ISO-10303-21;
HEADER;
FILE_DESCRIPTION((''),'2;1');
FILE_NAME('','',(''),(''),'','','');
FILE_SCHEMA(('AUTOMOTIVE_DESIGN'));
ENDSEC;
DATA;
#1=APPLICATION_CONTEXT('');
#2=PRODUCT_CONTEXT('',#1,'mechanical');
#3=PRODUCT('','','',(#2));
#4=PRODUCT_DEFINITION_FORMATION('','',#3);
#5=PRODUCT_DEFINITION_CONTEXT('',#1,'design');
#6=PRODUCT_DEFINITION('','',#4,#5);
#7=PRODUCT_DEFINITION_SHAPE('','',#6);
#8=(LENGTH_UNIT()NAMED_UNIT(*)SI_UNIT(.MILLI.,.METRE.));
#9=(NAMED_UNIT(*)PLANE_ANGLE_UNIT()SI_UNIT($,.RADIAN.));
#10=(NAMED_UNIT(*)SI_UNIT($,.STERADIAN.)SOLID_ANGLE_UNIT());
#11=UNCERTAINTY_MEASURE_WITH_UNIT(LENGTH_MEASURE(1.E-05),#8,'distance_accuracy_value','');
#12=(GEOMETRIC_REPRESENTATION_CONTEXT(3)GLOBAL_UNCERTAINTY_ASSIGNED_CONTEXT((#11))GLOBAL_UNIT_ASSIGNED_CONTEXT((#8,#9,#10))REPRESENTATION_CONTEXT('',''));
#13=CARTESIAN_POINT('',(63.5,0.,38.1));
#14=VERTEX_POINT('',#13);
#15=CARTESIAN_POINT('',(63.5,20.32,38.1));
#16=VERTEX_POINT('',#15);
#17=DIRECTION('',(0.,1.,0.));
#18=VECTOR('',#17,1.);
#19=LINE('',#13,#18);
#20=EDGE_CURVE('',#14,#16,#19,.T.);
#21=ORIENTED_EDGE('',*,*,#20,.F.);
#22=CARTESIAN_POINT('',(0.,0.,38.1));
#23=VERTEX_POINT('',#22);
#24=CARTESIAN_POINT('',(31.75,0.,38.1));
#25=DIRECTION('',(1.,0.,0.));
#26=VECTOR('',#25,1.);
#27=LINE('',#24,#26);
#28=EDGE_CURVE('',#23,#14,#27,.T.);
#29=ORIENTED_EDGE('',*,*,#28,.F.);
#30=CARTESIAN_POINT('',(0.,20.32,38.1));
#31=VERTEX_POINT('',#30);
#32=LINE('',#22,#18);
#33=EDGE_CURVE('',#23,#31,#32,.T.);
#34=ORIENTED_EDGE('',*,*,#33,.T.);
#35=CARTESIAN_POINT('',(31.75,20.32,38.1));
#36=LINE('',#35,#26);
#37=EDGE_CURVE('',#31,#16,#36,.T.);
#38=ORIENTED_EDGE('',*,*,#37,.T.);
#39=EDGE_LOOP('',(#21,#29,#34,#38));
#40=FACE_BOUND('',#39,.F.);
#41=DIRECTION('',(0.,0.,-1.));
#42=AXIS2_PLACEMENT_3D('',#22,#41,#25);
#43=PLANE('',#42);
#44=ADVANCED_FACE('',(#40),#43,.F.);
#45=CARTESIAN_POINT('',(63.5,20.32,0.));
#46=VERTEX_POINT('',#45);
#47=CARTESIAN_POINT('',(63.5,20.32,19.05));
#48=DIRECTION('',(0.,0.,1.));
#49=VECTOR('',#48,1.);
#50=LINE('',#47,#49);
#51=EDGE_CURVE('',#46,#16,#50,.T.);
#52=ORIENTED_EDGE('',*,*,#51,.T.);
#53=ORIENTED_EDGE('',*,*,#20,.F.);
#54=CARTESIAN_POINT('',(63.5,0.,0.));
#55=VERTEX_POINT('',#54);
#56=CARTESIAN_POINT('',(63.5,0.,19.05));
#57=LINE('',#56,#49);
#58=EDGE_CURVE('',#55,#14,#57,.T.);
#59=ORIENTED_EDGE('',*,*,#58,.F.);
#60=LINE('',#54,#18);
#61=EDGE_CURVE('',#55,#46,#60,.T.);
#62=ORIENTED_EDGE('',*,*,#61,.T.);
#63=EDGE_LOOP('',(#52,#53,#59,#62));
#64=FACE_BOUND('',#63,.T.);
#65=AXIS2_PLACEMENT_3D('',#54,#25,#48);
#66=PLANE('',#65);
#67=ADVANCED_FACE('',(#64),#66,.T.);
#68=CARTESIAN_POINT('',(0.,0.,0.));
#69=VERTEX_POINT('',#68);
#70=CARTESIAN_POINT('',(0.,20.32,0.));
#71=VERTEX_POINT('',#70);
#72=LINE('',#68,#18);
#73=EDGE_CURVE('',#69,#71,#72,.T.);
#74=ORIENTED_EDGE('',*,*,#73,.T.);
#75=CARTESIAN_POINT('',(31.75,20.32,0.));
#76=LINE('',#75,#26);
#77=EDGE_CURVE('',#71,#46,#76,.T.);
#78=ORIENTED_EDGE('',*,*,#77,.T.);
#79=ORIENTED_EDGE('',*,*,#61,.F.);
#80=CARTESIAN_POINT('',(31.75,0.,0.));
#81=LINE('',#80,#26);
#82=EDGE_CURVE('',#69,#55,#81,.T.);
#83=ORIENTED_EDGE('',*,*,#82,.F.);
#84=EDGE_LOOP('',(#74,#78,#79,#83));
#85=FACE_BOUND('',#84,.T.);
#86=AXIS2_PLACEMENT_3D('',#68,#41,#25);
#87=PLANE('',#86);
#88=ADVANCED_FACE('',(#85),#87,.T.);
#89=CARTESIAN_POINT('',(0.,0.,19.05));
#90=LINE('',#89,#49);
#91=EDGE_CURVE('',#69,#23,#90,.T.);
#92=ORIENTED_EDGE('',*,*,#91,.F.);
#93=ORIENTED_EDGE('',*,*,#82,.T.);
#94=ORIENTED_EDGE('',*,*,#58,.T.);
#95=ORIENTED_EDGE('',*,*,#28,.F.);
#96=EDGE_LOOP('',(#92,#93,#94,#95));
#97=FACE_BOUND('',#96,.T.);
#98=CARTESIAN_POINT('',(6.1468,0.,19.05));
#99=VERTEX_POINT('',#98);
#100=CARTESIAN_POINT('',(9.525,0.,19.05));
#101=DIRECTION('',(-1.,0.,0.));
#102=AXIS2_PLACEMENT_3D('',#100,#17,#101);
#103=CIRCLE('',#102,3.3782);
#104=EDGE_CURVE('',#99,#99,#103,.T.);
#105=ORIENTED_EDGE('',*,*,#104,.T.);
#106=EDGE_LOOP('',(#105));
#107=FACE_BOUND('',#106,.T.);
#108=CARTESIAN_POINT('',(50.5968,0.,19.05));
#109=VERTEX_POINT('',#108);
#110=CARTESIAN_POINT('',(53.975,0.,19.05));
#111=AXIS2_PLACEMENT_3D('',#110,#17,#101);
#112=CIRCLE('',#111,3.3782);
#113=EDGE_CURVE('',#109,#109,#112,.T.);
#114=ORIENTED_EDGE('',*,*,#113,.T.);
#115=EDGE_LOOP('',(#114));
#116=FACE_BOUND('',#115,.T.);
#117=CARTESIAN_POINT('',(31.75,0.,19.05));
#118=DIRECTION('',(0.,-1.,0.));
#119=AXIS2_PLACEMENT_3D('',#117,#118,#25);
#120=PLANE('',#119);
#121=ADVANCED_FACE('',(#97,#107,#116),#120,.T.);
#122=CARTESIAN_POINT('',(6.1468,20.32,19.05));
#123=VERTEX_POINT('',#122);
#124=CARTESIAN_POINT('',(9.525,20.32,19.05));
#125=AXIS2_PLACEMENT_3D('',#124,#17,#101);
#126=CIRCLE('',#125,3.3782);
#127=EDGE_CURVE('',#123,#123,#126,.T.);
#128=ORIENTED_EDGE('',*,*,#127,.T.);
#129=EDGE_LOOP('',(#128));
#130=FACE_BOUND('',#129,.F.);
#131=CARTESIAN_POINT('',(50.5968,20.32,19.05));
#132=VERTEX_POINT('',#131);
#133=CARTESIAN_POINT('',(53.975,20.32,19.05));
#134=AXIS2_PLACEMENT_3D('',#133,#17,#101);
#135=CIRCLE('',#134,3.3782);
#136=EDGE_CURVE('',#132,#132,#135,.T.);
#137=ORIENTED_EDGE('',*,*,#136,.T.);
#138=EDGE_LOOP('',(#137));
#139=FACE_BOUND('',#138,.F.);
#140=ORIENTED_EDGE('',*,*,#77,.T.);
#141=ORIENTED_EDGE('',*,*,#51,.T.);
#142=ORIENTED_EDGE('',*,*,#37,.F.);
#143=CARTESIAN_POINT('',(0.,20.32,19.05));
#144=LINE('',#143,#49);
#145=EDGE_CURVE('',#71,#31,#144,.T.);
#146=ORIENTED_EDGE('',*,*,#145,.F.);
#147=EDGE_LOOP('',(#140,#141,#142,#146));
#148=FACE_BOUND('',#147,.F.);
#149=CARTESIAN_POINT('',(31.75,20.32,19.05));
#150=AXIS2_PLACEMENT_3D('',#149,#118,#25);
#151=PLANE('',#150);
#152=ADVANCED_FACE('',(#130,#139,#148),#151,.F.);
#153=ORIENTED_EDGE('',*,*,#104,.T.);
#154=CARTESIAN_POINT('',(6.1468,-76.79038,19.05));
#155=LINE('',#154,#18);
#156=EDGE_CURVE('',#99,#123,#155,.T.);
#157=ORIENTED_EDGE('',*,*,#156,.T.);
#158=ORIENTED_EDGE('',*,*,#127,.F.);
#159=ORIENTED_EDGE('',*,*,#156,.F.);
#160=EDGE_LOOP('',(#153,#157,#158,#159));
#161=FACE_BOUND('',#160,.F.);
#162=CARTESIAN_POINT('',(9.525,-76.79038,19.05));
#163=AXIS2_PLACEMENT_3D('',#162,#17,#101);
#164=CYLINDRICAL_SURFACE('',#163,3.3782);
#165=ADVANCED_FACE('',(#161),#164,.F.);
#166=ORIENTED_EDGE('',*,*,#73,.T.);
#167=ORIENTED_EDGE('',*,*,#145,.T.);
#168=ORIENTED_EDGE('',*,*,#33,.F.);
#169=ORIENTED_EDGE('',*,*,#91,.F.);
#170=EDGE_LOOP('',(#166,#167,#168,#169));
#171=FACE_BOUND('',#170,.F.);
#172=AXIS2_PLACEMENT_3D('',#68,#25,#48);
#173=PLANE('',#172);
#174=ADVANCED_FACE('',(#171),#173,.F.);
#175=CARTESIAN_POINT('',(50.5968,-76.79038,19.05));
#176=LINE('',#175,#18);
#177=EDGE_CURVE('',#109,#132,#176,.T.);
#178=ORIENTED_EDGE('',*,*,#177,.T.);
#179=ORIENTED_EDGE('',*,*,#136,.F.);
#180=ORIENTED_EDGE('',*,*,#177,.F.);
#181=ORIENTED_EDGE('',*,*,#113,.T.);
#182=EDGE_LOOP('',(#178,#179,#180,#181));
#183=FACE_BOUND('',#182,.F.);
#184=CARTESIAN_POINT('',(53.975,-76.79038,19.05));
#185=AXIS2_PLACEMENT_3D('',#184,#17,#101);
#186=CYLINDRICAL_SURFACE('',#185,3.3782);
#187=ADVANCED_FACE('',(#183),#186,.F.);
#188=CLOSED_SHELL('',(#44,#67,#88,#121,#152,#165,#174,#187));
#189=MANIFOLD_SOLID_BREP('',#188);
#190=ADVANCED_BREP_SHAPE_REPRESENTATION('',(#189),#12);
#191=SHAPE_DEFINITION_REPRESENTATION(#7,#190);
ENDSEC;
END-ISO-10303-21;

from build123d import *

# Parameters (mm, degrees)
F0_W     = 63.5
F0_H     = 38.1
F1_DEPTH = 20.32
F3_D     = 6.7564


with BuildPart() as f1:
    # F0 (on Front) → F1 (new body)
    with BuildSketch(Plane.XZ):
        with Locations((31.75, 19.05)):
            Rectangle(F0_W, F0_H)
    extrude(amount=-F1_DEPTH)

    # F3 (through all)
    with Locations(Plane.XZ):
        with Locations((9.525, 19.05), (53.975, 19.05)):
            Hole(F3_D / 2)


solid = f1.part
